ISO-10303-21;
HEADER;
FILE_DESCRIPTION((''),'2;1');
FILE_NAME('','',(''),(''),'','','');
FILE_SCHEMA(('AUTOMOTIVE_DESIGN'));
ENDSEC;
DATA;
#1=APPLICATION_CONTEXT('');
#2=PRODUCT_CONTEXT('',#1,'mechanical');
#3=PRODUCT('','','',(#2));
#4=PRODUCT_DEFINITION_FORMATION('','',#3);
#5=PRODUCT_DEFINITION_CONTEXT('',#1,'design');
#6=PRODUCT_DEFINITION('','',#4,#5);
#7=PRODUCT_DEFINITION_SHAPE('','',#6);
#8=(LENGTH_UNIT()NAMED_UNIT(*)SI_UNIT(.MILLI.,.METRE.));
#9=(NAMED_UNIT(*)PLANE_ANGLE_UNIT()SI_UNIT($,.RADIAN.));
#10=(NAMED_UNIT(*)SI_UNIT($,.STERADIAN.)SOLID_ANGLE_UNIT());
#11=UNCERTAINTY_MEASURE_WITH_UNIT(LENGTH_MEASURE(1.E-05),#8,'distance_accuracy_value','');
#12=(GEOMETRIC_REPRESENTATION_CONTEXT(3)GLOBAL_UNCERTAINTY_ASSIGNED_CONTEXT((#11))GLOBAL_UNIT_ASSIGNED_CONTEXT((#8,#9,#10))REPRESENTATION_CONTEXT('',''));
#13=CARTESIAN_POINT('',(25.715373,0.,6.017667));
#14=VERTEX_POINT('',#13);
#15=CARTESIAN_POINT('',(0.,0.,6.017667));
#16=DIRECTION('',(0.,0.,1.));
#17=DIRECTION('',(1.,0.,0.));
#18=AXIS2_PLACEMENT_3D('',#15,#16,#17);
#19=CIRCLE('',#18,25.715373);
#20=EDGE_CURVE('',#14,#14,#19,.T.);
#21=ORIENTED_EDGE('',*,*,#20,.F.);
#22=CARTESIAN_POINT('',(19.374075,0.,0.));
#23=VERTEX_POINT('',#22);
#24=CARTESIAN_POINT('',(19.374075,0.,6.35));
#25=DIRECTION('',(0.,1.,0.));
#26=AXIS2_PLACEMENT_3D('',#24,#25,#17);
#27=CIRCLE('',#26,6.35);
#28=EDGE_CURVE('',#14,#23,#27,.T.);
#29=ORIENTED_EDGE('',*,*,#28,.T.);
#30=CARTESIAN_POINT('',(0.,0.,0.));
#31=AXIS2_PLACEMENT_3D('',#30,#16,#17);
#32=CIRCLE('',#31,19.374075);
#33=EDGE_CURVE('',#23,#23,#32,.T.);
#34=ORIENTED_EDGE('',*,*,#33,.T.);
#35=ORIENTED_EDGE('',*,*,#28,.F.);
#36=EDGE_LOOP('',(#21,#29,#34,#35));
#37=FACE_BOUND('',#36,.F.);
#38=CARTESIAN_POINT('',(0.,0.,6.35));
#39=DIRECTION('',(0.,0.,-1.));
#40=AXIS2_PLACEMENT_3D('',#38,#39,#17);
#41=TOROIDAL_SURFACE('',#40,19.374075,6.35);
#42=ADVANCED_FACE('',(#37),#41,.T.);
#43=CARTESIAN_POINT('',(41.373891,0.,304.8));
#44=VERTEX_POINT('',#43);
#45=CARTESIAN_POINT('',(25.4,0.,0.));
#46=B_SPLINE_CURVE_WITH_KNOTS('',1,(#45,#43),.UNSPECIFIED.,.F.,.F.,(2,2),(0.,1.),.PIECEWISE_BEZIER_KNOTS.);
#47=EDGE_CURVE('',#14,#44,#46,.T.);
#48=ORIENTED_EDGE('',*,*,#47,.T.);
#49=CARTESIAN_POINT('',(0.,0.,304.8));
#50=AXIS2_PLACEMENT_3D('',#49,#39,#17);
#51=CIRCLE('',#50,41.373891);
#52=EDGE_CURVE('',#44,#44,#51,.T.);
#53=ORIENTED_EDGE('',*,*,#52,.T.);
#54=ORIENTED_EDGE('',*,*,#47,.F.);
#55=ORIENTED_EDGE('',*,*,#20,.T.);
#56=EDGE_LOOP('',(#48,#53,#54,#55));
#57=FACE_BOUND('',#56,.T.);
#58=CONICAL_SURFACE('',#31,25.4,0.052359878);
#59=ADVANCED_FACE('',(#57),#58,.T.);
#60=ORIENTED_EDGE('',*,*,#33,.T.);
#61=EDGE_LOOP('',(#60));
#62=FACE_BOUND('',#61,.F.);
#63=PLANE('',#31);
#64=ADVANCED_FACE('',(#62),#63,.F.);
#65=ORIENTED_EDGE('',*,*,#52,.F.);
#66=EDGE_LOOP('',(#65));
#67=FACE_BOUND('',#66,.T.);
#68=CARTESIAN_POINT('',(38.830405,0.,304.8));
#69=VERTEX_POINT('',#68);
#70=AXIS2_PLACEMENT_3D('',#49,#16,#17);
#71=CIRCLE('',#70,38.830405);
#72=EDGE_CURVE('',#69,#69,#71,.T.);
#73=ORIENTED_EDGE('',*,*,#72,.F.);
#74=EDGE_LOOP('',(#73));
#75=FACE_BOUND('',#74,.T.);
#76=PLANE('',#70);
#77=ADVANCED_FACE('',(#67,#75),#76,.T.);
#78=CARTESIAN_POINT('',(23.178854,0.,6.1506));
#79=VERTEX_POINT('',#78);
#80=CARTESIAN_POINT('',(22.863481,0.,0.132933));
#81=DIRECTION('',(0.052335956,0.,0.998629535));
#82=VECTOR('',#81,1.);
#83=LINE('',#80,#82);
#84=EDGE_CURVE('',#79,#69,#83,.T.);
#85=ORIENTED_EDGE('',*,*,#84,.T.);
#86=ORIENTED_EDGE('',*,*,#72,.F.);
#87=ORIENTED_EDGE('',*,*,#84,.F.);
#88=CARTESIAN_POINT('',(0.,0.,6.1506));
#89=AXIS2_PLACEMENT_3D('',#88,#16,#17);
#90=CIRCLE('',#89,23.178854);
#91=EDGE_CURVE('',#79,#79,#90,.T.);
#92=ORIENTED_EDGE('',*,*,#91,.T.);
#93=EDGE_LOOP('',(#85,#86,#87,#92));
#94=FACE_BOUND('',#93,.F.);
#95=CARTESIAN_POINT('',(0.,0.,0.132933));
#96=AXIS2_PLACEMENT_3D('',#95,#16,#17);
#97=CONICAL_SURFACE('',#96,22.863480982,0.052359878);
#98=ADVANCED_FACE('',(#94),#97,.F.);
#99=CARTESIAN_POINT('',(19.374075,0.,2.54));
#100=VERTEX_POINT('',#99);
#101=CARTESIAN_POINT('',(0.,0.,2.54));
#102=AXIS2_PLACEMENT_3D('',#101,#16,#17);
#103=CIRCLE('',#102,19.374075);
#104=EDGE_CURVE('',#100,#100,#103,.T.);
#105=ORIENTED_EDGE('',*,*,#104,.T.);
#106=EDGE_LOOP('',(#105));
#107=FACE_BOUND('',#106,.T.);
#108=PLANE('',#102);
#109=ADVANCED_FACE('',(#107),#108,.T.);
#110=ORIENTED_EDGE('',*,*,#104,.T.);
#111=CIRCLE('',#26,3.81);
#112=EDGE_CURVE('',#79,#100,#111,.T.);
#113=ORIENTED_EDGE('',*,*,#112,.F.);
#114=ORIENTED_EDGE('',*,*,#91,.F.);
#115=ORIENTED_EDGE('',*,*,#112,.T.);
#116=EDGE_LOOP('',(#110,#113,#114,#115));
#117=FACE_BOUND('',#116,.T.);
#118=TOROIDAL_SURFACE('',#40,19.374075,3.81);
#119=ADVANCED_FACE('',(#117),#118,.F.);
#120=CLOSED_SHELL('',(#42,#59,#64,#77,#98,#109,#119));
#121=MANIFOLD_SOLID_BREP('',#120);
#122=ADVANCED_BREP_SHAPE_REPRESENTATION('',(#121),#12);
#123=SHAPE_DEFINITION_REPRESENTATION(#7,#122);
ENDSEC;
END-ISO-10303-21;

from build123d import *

# Parameters (mm, degrees)
F0_R     = 25.4
F1_DEPTH = 304.8
F1_TAPER = -3
F2_R     = 6.35
F3_T     = -2.54


with BuildPart() as f1:
    # F0 (on Top) → F1 (new body)
    with BuildSketch(Plane.XY):
        Circle(F0_R)
    extrude(amount=F1_DEPTH, taper=F1_TAPER)

    # F2
    f2_edges = [f1.edges().sort_by_distance(p)[0] for p in [
        (-25.4, 0, 0),
    ]]
    fillet(f2_edges, radius=F2_R)

    # F3
    f3_openings = [f1.faces().sort_by_distance(p)[0] for p in [
        (0, 0, 304.8),
    ]]
    offset(amount=F3_T, openings=f3_openings, kind=Kind.INTERSECTION)


solid = f1.part
